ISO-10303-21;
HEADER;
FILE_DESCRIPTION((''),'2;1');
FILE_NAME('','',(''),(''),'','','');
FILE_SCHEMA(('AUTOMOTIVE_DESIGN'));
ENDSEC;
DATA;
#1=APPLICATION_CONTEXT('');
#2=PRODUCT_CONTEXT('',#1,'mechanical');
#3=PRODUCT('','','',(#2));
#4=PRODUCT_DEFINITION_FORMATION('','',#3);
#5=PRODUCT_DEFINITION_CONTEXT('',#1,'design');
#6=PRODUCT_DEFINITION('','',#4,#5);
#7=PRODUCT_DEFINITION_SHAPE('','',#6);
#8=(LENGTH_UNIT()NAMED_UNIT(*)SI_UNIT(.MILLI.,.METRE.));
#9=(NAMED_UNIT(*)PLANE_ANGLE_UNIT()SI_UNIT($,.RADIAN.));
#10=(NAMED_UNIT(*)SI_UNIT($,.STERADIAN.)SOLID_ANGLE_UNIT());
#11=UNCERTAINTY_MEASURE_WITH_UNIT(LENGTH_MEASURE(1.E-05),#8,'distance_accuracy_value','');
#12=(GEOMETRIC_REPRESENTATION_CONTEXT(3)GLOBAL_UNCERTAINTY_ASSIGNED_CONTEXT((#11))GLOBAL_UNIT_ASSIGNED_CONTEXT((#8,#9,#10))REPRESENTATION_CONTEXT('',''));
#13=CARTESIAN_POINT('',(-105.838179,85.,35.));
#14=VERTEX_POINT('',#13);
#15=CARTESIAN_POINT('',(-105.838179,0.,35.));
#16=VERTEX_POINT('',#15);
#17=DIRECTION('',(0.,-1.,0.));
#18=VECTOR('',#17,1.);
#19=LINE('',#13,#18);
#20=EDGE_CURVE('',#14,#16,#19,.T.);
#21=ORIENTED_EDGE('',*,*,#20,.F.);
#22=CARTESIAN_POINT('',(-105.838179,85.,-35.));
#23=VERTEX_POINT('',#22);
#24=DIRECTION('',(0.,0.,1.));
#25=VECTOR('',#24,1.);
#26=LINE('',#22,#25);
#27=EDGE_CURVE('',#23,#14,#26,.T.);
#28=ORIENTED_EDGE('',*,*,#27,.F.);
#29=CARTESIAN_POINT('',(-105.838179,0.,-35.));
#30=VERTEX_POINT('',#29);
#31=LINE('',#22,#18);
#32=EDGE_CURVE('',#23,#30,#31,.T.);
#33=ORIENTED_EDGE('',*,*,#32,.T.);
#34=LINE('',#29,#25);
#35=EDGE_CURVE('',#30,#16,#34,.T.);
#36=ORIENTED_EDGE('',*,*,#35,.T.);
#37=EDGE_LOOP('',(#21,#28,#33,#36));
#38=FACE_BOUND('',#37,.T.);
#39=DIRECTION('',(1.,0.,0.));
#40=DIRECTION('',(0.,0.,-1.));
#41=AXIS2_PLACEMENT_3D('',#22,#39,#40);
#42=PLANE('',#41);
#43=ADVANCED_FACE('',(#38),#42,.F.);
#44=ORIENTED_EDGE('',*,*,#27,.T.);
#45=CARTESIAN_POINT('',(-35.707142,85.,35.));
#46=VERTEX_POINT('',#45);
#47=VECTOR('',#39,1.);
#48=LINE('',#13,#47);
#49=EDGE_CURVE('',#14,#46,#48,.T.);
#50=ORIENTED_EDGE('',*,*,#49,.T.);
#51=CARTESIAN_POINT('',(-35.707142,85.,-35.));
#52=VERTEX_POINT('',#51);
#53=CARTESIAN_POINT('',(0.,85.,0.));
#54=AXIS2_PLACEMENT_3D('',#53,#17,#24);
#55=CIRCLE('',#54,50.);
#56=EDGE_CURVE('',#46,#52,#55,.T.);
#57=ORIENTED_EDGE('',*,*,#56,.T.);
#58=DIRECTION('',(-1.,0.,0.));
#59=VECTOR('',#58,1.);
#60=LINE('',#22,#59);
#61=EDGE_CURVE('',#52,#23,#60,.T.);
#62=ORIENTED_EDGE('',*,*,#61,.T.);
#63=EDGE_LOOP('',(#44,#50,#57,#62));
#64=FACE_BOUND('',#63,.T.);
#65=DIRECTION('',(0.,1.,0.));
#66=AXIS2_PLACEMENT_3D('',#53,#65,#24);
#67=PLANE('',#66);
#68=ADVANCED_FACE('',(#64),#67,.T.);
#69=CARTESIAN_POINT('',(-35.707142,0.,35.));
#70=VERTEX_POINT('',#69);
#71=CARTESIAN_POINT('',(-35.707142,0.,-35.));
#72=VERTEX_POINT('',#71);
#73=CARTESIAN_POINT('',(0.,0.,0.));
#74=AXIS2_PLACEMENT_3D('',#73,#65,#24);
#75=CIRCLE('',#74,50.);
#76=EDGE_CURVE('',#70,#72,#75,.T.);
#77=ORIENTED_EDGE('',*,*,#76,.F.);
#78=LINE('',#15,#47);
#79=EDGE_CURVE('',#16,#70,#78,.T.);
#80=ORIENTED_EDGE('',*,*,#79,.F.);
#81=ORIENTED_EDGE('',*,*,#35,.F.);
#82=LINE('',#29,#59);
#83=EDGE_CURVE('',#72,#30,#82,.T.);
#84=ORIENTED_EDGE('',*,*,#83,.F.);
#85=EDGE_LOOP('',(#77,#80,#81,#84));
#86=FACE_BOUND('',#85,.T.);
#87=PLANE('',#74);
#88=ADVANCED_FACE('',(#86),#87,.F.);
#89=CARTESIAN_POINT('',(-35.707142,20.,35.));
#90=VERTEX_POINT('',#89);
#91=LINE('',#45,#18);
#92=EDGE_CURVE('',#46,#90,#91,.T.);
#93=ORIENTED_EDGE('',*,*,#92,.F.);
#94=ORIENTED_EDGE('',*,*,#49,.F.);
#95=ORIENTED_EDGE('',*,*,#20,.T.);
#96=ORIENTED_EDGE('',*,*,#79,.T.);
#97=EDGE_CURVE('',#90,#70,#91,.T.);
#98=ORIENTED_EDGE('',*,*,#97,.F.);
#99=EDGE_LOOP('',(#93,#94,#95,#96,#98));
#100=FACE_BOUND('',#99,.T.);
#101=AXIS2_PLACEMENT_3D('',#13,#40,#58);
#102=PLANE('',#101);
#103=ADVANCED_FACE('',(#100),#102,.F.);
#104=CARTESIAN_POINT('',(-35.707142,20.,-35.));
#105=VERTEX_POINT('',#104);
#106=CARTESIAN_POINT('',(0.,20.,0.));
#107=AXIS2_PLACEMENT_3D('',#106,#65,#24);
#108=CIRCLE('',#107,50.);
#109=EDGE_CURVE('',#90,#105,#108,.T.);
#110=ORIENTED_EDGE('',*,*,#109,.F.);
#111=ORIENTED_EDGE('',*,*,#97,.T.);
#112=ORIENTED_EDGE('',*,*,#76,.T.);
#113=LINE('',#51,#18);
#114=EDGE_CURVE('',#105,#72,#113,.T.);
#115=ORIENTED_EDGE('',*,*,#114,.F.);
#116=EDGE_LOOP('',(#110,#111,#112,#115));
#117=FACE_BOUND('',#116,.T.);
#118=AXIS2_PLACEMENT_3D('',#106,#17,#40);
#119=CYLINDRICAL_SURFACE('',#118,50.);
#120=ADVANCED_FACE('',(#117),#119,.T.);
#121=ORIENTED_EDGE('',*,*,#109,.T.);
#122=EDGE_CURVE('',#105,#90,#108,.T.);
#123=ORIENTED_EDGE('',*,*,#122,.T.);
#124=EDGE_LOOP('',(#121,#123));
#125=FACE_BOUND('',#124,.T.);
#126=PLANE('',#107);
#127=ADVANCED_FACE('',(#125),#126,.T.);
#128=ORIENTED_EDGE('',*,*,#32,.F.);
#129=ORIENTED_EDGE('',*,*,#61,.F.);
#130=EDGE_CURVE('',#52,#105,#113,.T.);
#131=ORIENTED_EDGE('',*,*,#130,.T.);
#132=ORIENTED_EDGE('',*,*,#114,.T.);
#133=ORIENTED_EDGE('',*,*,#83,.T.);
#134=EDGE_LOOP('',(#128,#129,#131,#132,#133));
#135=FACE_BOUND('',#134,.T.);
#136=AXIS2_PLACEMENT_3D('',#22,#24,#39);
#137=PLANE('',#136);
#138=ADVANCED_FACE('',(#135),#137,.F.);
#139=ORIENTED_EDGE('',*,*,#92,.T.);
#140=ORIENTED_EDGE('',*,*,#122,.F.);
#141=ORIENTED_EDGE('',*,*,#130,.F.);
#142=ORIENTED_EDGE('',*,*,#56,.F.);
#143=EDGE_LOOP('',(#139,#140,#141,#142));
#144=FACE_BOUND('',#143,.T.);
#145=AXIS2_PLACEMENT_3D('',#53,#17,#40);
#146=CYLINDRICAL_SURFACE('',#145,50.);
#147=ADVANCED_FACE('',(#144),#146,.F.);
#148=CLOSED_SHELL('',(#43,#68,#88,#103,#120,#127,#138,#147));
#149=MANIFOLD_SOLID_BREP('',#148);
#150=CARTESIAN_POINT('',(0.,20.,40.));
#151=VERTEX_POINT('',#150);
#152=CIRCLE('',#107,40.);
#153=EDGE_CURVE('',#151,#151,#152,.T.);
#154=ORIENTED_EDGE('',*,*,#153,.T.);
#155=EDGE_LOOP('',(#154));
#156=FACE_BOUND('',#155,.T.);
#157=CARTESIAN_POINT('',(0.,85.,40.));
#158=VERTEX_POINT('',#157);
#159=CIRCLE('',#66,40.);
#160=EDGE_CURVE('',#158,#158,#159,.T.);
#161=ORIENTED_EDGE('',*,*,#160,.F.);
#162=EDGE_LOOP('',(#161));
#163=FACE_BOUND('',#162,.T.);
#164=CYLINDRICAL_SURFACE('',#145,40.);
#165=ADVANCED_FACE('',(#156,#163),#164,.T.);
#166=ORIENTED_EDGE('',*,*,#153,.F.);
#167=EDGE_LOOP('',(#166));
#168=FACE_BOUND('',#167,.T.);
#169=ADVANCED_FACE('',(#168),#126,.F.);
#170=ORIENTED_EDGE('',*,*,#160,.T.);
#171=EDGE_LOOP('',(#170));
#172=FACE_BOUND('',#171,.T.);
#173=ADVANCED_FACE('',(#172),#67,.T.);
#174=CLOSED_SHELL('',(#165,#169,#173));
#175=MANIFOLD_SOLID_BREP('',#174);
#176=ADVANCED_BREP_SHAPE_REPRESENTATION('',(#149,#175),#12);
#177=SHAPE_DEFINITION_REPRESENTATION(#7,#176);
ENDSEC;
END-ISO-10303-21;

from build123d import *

# Parameters (mm, degrees)
SKETCH1_R      = 50
EXTRUDE1_DEPTH = 20
SKETCH2_R      = 40
EXTRUDE2_DEPTH = 65
EXTRUDE3_DEPTH = 85


with BuildPart() as part:
    # Sketch1 → Extrude1 (new body)
    with BuildSketch(Plane(origin=(0, 0, 0), x_dir=(1, 0, 0), z_dir=(0, 1, 0))):
        with Locations(Location((0, 0, 0), (0, 0, 270))):  # turned: the seam where the file's is
            Circle(SKETCH1_R)
    extrude(amount=EXTRUDE1_DEPTH)

    # Sketch3 → Extrude3 (add)
    with BuildSketch(Plane(origin=(0, 0, 0), x_dir=(1, 0, 0), z_dir=(0, 1, 0))):
        with BuildLine():
            Line((-105.838179272, 35), (-105.838179272, -35))
            Line((-105.838179272, -35), (-35.707142143, -35))
            ThreePointArc((-35.707142143, -35), (-50, 0), (-35.707142143, 35))
            Line((-35.707142143, 35), (-105.838179272, 35))
        make_face()
    extrude(amount=EXTRUDE3_DEPTH)


with BuildPart() as body_2:
    # Sketch2 → Extrude2 (new body)
    with BuildSketch(Plane(origin=(0, 20, 0), x_dir=(-1, 0, 0), z_dir=(0, 1, 0))):
        with Locations(Location((0, 0, 0), (0, 0, 90))):  # turned: the seam where the file's is
            Circle(SKETCH2_R)
    extrude(amount=EXTRUDE2_DEPTH)


solid = Compound([part.part, body_2.part])
